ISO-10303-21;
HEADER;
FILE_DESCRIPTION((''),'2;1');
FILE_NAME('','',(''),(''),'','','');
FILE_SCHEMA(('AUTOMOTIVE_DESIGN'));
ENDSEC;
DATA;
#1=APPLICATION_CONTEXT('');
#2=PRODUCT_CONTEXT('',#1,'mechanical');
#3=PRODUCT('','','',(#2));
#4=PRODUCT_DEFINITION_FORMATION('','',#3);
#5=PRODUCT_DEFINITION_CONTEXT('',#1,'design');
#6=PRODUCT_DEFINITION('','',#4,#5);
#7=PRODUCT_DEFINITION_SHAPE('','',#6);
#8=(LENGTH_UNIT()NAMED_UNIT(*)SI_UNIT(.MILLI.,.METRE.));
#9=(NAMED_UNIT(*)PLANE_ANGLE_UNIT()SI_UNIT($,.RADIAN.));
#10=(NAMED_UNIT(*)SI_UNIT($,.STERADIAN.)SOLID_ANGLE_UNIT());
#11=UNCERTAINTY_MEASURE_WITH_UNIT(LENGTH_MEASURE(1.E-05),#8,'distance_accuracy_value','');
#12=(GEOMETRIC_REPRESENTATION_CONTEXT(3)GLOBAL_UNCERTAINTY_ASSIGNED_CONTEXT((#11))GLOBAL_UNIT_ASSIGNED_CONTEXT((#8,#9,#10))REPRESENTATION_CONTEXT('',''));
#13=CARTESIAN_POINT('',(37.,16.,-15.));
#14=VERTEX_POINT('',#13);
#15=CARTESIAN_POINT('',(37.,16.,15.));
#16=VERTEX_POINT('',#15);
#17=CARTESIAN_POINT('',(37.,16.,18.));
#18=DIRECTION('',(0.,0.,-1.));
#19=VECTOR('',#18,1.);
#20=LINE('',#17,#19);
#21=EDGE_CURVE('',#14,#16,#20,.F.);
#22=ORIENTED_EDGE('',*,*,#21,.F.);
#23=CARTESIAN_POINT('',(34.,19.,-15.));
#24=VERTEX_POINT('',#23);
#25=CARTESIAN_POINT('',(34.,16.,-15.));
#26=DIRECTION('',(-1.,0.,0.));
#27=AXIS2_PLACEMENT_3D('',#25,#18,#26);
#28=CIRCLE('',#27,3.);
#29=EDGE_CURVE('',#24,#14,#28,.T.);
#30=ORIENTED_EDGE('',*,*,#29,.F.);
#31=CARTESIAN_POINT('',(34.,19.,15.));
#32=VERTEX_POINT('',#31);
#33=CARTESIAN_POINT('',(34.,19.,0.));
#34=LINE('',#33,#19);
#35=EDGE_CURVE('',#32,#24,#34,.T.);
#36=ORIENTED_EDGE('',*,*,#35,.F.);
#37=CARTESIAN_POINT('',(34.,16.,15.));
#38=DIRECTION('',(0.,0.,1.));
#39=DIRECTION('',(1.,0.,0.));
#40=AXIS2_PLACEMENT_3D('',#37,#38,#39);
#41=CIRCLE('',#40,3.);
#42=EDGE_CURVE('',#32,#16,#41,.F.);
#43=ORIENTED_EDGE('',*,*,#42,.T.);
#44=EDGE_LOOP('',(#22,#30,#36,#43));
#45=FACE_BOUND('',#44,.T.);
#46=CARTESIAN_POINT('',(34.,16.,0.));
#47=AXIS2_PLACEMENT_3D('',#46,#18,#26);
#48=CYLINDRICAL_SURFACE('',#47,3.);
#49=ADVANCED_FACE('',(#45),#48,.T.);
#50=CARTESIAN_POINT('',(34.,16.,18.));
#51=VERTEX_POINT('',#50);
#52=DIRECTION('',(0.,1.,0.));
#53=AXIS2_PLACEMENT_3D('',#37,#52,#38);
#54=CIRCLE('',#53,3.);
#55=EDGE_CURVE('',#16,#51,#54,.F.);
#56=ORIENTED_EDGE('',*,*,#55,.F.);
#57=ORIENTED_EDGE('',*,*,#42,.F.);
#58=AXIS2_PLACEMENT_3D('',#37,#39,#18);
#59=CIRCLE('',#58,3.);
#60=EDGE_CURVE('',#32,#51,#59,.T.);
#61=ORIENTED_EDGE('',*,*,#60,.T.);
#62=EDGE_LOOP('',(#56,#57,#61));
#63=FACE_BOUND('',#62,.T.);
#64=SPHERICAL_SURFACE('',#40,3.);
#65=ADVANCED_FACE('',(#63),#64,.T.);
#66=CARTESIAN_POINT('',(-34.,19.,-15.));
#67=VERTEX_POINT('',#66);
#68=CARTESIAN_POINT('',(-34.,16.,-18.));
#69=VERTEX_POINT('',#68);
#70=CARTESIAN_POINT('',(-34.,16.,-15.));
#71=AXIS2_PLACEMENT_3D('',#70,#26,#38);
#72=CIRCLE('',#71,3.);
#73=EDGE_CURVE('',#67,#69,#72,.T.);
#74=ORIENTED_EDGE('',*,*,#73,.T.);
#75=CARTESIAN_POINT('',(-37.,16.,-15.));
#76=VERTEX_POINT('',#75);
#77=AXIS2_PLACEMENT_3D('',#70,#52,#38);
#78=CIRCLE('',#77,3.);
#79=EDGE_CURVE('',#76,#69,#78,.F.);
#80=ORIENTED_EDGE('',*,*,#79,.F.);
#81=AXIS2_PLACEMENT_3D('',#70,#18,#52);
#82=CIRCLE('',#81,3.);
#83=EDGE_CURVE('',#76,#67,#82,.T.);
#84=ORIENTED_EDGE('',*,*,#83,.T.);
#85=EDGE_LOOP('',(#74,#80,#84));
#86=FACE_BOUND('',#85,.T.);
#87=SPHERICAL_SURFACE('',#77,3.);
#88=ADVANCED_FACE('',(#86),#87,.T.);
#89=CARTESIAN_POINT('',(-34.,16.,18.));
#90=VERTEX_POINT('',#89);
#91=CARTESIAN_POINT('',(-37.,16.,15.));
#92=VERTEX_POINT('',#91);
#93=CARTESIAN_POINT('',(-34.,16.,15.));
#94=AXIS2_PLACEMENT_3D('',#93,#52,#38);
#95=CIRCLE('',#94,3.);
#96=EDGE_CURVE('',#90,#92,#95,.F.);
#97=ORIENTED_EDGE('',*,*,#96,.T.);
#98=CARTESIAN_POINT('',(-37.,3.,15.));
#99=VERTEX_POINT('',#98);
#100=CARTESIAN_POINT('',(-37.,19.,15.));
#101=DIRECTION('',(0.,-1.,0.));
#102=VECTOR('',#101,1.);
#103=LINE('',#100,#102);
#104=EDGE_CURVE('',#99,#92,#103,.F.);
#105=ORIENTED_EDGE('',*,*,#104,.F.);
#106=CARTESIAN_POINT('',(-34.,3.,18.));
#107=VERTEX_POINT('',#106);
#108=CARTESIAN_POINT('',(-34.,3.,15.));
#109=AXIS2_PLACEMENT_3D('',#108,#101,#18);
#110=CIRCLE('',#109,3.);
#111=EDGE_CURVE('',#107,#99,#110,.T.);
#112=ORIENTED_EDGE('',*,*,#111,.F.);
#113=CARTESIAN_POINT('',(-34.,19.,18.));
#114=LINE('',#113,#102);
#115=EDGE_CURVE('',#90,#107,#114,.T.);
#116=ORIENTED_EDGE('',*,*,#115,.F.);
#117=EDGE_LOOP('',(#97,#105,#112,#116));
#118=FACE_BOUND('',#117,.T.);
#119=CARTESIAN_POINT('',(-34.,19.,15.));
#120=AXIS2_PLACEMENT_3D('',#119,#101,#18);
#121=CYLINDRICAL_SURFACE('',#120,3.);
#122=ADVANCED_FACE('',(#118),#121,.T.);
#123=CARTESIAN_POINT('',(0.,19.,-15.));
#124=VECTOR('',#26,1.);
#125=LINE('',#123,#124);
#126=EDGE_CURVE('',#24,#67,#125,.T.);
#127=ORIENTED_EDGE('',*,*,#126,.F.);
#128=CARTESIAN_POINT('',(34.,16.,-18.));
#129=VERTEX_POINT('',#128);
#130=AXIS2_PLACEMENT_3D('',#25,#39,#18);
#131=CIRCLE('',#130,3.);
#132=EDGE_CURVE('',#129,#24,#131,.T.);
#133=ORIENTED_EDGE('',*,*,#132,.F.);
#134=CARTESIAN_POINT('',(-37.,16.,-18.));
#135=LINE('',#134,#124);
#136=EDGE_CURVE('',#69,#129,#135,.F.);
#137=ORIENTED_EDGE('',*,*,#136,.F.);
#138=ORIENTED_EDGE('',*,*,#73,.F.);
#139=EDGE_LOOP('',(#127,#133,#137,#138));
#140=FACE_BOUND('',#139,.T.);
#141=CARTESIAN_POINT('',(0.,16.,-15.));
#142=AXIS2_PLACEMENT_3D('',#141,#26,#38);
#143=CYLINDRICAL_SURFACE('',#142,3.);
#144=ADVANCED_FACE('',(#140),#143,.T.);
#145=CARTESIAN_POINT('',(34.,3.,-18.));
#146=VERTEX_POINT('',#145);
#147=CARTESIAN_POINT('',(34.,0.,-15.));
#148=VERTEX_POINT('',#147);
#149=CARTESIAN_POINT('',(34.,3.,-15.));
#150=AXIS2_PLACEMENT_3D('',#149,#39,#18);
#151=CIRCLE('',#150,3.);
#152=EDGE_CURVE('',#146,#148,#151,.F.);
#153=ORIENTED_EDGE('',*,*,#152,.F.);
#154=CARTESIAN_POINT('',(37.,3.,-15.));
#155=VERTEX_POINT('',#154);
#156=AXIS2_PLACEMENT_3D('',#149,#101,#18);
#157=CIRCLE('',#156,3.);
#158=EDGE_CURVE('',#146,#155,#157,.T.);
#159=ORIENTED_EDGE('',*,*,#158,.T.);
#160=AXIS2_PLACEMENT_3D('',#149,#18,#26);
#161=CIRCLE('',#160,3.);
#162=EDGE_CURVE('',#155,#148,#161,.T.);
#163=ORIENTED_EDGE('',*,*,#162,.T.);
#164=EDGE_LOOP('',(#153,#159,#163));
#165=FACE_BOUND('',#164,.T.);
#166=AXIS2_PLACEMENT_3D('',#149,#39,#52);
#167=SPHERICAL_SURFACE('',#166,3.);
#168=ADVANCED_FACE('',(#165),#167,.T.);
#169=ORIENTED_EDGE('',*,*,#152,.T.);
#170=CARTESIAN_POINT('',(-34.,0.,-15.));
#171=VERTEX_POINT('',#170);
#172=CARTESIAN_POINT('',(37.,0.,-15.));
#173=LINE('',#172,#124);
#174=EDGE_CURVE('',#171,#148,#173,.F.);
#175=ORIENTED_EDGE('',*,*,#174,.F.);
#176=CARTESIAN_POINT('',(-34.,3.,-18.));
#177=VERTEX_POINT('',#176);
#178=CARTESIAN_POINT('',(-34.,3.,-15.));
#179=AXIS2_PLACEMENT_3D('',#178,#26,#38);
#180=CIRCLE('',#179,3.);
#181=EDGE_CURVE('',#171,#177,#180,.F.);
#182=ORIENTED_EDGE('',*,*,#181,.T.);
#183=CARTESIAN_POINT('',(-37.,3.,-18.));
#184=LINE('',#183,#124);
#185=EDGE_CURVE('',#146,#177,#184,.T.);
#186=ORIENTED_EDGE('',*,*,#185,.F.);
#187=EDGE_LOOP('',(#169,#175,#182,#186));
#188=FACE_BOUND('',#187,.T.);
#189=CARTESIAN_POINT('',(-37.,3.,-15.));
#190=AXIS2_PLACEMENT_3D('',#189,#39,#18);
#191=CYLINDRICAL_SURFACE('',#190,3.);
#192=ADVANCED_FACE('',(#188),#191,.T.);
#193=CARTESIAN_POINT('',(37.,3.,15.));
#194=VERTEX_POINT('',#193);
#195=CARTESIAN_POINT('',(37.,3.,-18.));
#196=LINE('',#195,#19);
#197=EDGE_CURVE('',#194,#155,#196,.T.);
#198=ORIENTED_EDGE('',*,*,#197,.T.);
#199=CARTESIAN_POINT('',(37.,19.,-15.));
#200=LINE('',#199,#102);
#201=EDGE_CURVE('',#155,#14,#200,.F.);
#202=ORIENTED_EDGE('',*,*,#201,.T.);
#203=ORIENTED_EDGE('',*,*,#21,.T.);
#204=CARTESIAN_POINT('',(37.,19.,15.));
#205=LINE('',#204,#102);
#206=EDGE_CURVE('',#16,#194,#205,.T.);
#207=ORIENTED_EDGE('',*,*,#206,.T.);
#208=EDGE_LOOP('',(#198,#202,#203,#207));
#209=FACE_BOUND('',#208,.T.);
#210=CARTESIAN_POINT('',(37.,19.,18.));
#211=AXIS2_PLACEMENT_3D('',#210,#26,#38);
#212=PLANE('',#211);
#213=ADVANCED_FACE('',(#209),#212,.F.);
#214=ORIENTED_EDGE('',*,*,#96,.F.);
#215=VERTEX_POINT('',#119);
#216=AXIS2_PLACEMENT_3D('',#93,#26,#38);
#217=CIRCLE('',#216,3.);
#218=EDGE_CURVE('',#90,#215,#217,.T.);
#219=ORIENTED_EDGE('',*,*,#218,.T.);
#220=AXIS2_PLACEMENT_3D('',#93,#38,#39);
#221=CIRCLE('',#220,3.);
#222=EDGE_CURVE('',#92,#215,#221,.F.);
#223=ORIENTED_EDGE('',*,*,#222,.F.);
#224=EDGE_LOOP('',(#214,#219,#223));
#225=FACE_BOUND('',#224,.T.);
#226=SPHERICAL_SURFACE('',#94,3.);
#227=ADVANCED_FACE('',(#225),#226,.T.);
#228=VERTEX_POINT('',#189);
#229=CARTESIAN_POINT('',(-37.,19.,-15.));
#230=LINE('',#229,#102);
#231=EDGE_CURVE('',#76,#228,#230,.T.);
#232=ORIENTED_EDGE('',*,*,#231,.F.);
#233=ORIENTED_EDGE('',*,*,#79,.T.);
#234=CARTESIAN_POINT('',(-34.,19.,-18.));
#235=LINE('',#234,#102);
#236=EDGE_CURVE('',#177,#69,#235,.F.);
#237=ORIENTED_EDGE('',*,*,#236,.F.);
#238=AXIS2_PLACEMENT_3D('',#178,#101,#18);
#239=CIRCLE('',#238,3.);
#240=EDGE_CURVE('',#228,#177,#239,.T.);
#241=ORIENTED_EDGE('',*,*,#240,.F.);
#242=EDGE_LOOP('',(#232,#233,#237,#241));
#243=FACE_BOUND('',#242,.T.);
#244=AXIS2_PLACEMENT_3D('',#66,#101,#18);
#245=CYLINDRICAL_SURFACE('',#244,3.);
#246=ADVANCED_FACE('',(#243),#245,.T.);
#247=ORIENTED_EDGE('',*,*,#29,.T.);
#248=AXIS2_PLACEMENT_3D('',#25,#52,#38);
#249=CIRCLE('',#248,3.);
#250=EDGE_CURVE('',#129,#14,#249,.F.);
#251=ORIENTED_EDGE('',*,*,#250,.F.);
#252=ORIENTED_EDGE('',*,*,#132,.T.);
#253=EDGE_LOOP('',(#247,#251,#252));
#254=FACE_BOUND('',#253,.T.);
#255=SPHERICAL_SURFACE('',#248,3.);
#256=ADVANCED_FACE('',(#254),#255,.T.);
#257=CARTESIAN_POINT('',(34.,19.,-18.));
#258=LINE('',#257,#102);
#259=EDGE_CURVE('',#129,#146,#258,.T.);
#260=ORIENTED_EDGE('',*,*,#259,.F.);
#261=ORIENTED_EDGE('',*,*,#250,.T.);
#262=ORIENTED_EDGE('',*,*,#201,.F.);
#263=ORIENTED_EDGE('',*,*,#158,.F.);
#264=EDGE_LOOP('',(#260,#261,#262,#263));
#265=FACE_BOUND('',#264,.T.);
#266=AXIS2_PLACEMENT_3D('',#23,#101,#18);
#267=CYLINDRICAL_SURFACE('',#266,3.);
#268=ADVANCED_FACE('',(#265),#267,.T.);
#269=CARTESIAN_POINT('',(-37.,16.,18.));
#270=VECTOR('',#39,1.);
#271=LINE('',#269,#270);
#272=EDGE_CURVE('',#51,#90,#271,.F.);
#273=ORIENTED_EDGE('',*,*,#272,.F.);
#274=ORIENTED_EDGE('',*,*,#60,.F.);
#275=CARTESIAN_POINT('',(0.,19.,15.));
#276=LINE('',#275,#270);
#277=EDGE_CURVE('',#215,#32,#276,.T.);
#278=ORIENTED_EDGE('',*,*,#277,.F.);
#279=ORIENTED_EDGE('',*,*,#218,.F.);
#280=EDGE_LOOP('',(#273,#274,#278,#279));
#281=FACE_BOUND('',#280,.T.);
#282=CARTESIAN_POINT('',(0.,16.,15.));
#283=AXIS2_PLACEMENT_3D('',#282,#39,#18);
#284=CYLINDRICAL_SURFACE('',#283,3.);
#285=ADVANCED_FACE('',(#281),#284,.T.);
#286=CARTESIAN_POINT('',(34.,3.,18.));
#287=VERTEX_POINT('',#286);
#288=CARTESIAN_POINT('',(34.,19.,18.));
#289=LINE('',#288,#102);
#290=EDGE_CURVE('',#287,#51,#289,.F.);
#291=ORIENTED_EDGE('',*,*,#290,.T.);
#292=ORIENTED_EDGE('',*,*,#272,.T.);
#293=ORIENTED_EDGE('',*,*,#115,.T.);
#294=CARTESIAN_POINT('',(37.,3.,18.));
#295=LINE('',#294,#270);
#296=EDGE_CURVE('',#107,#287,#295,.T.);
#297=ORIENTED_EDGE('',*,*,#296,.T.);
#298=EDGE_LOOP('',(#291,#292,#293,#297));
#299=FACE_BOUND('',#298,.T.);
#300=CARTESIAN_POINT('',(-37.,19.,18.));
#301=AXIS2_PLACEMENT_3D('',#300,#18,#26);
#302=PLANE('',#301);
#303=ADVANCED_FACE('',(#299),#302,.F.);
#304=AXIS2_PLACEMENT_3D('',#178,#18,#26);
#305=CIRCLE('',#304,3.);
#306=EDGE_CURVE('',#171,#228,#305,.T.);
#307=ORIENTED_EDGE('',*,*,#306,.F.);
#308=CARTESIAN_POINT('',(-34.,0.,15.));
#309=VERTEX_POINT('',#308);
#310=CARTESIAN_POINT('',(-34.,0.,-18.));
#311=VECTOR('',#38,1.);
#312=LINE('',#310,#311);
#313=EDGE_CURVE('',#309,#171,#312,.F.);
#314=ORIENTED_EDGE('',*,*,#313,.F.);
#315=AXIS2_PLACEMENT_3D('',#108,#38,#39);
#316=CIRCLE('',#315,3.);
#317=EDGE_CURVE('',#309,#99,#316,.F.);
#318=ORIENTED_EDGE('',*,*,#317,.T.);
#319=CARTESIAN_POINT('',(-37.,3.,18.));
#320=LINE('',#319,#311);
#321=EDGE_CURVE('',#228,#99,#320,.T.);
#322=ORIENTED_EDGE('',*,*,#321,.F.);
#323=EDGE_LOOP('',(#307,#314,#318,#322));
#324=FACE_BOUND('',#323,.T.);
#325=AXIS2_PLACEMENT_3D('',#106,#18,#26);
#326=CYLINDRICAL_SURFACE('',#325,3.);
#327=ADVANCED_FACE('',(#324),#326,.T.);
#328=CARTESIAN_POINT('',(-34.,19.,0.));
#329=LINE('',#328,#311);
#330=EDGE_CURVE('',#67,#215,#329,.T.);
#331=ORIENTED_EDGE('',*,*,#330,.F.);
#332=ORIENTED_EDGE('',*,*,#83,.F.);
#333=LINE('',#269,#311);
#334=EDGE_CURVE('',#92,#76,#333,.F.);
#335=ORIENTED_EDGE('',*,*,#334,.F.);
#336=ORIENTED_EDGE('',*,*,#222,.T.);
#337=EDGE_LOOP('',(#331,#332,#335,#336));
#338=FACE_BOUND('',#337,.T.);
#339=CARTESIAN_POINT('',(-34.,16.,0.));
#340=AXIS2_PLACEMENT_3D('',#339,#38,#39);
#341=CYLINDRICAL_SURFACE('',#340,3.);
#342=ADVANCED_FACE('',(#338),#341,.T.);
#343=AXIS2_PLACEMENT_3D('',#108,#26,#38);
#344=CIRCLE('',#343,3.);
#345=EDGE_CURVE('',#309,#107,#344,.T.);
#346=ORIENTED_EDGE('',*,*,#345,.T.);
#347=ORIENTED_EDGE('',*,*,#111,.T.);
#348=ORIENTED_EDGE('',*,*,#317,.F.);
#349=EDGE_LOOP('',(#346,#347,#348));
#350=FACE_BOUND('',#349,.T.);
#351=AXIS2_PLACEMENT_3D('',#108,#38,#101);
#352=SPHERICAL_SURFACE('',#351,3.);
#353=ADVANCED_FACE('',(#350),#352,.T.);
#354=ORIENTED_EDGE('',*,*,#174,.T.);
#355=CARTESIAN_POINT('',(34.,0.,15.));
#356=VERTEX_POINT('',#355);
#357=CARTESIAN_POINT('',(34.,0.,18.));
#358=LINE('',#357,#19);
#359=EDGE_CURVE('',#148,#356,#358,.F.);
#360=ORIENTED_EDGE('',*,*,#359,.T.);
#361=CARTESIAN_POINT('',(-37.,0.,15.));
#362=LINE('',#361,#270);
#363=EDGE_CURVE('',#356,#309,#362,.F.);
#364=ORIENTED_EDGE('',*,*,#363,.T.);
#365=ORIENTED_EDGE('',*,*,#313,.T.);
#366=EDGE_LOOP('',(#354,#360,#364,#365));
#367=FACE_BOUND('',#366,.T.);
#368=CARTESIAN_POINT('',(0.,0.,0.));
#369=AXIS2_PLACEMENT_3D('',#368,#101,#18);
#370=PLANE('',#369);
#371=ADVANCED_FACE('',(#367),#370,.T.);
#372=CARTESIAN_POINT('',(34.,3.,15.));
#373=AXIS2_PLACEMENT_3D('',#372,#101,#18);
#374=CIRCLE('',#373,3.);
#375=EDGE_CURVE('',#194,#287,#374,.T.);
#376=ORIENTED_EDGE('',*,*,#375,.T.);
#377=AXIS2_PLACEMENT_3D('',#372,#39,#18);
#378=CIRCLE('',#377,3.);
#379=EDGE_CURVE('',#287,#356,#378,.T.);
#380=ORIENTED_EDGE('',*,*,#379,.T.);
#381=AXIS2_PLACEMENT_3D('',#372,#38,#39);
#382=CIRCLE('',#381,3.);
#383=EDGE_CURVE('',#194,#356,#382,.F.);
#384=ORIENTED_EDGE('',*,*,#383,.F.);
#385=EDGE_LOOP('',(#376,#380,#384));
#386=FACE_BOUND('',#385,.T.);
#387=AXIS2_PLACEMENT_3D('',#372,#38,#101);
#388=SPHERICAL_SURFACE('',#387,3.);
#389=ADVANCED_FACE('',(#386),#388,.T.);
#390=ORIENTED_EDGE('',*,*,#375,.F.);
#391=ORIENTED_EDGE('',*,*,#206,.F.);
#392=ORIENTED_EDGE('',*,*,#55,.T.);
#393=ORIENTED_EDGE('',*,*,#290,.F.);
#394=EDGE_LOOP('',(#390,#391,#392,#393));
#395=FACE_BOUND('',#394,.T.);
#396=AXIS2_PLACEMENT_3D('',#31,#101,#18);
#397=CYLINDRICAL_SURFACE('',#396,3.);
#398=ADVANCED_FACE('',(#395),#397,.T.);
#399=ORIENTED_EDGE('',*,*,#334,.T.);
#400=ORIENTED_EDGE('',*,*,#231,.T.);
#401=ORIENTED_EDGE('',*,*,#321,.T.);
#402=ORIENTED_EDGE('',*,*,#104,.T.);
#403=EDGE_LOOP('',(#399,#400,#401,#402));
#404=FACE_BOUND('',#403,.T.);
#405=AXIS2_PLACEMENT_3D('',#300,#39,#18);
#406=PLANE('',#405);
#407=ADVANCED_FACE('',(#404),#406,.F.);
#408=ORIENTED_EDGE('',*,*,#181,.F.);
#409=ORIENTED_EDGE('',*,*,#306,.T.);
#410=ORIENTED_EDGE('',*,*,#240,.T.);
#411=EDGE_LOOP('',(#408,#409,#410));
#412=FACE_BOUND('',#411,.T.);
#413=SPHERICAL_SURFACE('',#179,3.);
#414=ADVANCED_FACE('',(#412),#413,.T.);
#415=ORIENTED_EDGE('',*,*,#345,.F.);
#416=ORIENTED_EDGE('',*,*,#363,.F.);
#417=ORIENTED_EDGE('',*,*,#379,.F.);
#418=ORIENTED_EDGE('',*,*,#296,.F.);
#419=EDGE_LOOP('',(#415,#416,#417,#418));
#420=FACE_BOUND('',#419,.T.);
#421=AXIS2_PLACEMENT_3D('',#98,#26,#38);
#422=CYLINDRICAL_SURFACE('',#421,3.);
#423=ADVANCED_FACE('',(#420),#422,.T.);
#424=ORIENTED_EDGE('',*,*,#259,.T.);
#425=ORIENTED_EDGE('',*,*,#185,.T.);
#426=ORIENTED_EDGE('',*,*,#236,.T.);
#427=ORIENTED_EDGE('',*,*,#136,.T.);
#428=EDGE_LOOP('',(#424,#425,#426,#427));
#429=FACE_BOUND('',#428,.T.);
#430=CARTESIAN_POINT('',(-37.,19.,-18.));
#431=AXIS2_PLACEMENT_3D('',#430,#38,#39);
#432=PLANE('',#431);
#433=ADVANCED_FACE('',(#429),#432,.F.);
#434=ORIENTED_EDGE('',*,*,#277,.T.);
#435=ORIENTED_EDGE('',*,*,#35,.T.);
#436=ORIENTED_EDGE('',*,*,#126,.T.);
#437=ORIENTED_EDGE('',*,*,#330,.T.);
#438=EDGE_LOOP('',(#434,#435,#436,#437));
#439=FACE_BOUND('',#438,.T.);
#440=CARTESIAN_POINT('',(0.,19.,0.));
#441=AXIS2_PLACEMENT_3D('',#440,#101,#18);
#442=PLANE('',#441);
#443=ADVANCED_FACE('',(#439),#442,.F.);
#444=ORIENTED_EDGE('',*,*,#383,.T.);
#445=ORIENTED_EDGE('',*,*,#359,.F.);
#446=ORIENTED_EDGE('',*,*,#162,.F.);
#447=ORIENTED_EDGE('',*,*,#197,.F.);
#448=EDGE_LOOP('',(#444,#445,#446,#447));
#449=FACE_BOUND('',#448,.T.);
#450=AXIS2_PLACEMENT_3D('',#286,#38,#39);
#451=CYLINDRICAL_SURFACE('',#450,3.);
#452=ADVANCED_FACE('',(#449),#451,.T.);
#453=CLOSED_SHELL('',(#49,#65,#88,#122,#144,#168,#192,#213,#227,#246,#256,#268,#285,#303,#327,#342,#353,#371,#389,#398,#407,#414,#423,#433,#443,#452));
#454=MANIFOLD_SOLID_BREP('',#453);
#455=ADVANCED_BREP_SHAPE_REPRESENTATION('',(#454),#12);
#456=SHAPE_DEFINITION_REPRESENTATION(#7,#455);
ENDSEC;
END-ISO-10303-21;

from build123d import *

# Parameters (mm, degrees)
SKETCH1_W           = 74
SKETCH1_H           = 36
BOSS_EXTRUDE1_DEPTH = 19
FILLET1_R           = 3


with BuildPart() as part:
    # Sketch1 → Boss-Extrude1 (new body)
    with BuildSketch(Plane(origin=(0, 0, 0), x_dir=(1, 0, 0), z_dir=(0, 1, 0))):
        Rectangle(SKETCH1_W, SKETCH1_H)
    extrude(amount=BOSS_EXTRUDE1_DEPTH)

    # Fillet1
    fillet1_edges = [part.edges().sort_by_distance(p)[0] for p in [
        (-37, 19, 0),
        (0, 19, 18),
        (37, 19, 0),
        (0, 0, 18),
        (-37, 0, 0),
        (0, 0, -18),
        (37, 0, 0),
        (37, 9.5, 18),
        (-37, 9.5, 18),
        (-37, 9.5, -18),
        (37, 9.5, -18),
        (0, 19, -18),
    ]]
    fillet(fillet1_edges, radius=FILLET1_R)


solid = part.part
